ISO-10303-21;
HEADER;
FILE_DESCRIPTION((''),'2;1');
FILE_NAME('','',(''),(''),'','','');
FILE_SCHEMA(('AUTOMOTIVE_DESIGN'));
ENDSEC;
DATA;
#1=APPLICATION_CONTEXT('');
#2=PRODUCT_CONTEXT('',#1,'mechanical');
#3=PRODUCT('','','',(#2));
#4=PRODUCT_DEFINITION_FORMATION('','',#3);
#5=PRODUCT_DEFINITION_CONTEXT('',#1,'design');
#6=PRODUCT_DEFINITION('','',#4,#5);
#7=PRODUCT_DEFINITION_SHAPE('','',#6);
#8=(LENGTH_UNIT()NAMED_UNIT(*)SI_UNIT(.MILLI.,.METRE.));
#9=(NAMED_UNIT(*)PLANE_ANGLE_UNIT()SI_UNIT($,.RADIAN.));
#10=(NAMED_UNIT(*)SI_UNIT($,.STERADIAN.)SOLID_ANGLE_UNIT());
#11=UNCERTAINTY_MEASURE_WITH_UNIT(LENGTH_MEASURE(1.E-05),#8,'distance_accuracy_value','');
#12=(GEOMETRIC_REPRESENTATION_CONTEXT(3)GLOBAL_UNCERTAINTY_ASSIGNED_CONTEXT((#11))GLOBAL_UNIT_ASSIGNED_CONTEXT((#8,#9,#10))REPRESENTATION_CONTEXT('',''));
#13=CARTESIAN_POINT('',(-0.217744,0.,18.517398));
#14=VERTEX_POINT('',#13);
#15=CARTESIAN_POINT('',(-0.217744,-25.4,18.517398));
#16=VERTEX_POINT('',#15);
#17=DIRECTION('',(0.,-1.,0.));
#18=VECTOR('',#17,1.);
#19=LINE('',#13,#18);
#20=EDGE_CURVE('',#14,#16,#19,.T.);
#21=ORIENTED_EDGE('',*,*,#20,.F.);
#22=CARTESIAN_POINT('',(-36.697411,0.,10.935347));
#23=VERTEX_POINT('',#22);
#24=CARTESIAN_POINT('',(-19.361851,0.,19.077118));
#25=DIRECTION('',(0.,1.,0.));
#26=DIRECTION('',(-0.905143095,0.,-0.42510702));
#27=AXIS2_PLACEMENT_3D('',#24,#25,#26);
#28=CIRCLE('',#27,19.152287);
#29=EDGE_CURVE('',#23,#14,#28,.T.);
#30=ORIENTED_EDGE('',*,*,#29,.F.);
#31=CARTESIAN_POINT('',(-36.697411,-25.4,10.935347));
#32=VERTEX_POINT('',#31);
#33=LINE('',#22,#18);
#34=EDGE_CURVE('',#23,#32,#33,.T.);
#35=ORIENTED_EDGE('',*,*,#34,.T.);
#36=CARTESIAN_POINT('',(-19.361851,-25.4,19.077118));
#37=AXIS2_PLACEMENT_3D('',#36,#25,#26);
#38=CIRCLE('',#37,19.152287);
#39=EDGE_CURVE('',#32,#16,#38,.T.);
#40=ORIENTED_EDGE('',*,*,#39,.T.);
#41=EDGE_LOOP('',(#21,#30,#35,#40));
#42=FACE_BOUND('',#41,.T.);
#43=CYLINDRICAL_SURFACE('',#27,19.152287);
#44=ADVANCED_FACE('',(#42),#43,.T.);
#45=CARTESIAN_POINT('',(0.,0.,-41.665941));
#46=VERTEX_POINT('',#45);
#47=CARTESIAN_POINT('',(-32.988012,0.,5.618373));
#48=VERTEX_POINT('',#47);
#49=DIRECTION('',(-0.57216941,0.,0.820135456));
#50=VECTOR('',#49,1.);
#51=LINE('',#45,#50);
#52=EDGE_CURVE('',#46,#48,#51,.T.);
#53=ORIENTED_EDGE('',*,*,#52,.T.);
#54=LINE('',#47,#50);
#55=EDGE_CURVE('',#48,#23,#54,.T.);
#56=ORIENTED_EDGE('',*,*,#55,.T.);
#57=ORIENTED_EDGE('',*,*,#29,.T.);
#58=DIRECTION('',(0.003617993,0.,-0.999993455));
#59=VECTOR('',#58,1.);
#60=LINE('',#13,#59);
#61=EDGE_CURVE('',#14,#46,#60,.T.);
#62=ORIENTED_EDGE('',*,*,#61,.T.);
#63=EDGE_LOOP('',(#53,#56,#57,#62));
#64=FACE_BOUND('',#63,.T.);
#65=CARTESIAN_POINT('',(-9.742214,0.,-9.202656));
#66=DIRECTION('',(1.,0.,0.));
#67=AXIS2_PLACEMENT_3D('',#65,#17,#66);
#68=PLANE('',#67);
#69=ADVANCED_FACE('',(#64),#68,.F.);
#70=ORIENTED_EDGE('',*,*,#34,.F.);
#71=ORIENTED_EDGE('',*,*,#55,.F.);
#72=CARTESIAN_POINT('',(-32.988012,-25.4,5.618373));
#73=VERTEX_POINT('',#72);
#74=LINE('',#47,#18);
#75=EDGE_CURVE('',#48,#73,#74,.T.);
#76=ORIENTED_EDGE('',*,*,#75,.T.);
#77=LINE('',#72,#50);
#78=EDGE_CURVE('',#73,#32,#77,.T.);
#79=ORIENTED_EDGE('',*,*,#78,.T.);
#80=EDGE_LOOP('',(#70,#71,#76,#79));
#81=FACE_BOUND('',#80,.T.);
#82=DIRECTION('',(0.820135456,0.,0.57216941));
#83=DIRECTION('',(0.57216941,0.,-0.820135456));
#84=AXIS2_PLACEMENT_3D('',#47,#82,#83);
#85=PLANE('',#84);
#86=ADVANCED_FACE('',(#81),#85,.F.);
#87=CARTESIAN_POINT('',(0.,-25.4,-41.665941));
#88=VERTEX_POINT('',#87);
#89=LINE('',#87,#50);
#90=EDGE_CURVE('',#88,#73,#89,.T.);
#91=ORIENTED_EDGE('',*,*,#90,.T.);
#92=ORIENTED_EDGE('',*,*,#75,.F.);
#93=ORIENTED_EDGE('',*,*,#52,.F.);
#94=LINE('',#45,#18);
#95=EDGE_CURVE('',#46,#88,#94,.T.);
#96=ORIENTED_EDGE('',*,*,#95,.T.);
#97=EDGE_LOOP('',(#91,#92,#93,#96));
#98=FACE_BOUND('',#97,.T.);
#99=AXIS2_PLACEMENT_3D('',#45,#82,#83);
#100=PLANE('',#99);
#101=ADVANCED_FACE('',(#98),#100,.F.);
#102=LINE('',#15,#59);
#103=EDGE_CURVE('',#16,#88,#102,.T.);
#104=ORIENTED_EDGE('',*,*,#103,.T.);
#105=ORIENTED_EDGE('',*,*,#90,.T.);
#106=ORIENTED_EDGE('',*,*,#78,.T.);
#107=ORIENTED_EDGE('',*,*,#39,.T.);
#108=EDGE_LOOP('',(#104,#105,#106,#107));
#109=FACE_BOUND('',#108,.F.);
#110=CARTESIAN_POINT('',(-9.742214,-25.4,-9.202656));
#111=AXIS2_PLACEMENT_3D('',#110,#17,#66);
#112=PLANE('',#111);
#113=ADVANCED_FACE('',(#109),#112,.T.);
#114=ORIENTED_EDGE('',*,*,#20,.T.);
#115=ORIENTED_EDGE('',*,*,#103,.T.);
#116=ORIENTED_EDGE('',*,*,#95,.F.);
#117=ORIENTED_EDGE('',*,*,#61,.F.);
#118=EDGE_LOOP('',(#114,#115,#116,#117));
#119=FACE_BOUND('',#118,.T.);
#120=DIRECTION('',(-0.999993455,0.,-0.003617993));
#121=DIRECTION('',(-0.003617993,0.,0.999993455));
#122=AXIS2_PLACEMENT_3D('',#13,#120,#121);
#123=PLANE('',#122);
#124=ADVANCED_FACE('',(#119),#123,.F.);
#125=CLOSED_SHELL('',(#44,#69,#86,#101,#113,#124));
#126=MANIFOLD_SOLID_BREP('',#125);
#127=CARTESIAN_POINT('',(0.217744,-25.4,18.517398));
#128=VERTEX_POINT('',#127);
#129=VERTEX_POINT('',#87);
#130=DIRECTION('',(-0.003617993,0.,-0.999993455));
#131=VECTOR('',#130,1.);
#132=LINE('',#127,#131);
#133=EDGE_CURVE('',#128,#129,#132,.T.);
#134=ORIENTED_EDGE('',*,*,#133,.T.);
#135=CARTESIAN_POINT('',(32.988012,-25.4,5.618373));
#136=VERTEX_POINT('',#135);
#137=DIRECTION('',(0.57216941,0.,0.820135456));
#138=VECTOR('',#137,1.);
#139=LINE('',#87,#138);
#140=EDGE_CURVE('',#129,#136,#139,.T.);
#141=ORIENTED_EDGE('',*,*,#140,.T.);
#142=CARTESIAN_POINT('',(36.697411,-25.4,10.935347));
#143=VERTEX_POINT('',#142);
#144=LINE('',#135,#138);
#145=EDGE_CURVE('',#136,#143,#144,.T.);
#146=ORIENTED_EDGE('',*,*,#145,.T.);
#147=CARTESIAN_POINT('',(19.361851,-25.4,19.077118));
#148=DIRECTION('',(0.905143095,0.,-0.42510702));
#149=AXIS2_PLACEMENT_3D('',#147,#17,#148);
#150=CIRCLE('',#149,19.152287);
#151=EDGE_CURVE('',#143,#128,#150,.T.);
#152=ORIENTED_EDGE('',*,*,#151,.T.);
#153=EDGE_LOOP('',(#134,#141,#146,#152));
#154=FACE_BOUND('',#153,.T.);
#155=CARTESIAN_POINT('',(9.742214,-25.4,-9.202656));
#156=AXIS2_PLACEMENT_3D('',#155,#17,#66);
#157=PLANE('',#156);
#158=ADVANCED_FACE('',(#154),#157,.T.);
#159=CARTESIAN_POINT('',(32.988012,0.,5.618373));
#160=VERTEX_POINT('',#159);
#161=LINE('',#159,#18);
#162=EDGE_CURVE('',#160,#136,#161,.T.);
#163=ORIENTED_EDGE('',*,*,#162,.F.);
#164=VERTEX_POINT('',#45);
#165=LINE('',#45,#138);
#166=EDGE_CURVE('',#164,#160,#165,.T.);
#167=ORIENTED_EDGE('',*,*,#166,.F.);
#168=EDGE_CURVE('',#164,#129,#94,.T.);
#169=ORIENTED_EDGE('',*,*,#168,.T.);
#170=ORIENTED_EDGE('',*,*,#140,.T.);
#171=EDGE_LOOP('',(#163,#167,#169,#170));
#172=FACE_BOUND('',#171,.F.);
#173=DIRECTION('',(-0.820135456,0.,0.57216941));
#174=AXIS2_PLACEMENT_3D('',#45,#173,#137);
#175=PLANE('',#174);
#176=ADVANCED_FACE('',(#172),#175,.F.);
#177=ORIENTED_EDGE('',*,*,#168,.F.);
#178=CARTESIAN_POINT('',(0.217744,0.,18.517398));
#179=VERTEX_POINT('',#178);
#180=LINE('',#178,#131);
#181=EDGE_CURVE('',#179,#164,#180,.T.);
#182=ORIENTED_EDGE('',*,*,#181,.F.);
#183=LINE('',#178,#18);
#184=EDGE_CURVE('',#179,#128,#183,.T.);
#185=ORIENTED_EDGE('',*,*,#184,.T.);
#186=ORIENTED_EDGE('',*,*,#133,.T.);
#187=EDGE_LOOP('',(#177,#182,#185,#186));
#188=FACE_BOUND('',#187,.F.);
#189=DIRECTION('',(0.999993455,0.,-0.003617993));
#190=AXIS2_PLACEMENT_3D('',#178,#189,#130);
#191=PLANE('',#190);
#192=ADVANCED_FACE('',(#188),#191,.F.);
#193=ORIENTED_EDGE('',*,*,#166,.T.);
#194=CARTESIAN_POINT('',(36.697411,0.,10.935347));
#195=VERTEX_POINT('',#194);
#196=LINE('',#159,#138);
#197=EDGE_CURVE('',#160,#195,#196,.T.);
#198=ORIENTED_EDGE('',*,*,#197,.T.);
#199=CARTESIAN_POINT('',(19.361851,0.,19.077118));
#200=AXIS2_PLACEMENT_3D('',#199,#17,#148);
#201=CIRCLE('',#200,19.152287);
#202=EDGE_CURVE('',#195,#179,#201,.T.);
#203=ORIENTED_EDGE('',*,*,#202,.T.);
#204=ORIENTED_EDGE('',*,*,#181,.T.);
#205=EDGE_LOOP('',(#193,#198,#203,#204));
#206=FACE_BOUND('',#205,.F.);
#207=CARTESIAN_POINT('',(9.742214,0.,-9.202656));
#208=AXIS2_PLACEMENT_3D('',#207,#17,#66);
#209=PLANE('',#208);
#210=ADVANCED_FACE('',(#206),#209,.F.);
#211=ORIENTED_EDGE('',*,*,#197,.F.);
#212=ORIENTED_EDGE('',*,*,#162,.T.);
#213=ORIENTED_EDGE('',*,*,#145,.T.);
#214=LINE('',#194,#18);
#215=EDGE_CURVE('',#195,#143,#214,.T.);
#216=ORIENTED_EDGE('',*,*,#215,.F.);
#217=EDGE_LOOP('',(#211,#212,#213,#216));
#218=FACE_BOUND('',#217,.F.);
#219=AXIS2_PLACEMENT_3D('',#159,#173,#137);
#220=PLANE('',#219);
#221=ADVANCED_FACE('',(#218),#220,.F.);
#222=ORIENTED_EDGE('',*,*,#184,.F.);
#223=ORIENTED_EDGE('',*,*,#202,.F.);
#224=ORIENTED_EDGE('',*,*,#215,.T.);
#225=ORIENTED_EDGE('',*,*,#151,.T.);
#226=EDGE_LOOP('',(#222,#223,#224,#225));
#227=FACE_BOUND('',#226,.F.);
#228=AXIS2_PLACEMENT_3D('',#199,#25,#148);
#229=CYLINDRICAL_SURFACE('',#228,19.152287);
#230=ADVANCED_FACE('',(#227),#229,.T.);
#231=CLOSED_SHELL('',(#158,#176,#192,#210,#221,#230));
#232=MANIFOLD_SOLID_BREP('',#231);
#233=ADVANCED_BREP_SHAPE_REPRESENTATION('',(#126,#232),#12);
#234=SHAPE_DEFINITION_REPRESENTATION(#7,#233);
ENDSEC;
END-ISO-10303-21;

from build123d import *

# Parameters (mm, degrees)
F1_DEPTH = 25.4


with BuildPart() as f1:
    # F0 (on Front) → F1 (new body)
    with BuildSketch(Plane.XZ):
        with BuildLine():
            ThreePointArc((32.988012049, 5.6183730143), (12.3469994792, 1.2557279462), (0.2177443361, 18.5173976678))
            Line((0.2177443361, 18.5173976678), (0, -41.6659414768))
            Line((0, -41.6659414768), (32.988012049, 5.6183730143))
        make_face()
        with BuildLine():
            ThreePointArc((36.6974111899, 10.9353468075), (38.0544392949, 14.9061191482), (38.5141378729, 19.0771184862))
            ThreePointArc((38.5141378729, 19.0771184862), (19.0819605071, 38.2273602948), (0.2177443361, 18.5173976678))
            ThreePointArc((0.2177443361, 18.5173976678), (12.3469994792, 1.2557279462), (32.988012049, 5.6183730143))
            Line((32.988012049, 5.6183730143), (36.6974111899, 10.9353468075))
        make_face()
    extrude(amount=F1_DEPTH)


with BuildPart() as f2_1:
    # F2: instance of F1
    add(f1.part.mirror(Plane.YZ))


solid = Compound([f1.part, f2_1.part])
